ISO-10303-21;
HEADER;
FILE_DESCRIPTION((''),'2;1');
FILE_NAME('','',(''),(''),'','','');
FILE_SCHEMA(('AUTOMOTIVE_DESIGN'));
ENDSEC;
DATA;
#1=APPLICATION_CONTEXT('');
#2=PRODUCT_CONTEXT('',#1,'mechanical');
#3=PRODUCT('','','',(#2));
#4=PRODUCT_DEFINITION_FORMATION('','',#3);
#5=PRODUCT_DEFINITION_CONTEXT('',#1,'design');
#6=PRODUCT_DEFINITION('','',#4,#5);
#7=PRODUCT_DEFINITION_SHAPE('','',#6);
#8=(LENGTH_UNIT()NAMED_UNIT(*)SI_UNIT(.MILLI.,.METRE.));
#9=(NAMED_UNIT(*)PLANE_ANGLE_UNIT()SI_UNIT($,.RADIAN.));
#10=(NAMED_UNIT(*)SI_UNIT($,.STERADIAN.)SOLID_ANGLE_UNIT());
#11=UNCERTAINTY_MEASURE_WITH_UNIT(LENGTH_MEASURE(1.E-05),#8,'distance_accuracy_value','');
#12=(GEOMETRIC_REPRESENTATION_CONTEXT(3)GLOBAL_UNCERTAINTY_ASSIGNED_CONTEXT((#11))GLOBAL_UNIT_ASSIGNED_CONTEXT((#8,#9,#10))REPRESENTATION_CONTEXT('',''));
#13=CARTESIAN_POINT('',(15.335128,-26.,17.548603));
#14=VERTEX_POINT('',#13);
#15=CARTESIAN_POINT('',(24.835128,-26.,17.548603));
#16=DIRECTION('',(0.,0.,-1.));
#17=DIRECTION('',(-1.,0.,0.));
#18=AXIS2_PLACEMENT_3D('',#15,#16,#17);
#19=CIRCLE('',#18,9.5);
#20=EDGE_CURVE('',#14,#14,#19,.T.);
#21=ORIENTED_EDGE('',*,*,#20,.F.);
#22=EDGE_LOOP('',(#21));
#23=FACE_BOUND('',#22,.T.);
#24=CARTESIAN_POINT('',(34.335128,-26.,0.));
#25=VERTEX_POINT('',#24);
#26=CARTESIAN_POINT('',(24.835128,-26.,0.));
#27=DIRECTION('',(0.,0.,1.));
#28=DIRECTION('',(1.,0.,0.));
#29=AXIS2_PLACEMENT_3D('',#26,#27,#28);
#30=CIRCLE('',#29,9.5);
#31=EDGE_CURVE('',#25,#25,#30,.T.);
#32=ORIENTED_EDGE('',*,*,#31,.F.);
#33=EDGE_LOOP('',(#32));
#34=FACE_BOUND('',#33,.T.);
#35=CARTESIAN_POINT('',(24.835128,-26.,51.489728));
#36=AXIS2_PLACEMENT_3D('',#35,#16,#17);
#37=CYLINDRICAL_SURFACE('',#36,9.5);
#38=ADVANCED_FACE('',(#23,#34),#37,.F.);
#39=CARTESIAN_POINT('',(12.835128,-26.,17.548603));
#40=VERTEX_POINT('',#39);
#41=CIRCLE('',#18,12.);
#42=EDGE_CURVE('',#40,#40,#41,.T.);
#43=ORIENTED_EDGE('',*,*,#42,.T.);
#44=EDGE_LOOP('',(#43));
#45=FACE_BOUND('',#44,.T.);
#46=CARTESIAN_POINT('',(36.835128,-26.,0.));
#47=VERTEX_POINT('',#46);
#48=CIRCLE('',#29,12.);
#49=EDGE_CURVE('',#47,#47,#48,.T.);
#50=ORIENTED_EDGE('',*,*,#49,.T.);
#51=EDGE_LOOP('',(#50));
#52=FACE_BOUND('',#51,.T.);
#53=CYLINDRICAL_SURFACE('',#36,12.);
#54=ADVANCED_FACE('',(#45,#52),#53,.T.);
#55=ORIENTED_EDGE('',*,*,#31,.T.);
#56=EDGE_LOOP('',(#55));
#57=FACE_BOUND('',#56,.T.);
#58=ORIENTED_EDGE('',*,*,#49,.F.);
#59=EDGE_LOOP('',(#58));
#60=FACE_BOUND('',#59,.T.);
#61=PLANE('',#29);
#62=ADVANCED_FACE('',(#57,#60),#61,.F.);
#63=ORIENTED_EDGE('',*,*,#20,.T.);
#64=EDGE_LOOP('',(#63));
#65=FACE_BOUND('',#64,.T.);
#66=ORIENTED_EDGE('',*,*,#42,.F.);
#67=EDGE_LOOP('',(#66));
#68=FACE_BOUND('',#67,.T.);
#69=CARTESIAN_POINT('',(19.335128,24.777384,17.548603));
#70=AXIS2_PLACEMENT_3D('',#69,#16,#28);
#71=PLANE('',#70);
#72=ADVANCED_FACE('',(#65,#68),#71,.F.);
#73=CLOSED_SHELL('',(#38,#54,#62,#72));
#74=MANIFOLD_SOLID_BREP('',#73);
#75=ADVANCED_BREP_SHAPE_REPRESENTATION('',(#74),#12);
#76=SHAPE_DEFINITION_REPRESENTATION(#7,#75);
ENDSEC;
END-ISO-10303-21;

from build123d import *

# Parameters (mm, degrees)
CROQUIS1_R              = 12
CROQUIS1_R_2            = 9.5
SALIENTE_EXTRUIR1_DEPTH = 17.548603


with BuildPart() as part:
    # Croquis1 → Saliente-Extruir1 (new body)
    with BuildSketch(Plane.XY):
        with Locations((24.835128068, -26)):
            Circle(CROQUIS1_R)
        with Locations((24.835128068, -26)):
            Circle(CROQUIS1_R_2, mode=Mode.SUBTRACT)
    extrude(amount=SALIENTE_EXTRUIR1_DEPTH)


solid = part.part
